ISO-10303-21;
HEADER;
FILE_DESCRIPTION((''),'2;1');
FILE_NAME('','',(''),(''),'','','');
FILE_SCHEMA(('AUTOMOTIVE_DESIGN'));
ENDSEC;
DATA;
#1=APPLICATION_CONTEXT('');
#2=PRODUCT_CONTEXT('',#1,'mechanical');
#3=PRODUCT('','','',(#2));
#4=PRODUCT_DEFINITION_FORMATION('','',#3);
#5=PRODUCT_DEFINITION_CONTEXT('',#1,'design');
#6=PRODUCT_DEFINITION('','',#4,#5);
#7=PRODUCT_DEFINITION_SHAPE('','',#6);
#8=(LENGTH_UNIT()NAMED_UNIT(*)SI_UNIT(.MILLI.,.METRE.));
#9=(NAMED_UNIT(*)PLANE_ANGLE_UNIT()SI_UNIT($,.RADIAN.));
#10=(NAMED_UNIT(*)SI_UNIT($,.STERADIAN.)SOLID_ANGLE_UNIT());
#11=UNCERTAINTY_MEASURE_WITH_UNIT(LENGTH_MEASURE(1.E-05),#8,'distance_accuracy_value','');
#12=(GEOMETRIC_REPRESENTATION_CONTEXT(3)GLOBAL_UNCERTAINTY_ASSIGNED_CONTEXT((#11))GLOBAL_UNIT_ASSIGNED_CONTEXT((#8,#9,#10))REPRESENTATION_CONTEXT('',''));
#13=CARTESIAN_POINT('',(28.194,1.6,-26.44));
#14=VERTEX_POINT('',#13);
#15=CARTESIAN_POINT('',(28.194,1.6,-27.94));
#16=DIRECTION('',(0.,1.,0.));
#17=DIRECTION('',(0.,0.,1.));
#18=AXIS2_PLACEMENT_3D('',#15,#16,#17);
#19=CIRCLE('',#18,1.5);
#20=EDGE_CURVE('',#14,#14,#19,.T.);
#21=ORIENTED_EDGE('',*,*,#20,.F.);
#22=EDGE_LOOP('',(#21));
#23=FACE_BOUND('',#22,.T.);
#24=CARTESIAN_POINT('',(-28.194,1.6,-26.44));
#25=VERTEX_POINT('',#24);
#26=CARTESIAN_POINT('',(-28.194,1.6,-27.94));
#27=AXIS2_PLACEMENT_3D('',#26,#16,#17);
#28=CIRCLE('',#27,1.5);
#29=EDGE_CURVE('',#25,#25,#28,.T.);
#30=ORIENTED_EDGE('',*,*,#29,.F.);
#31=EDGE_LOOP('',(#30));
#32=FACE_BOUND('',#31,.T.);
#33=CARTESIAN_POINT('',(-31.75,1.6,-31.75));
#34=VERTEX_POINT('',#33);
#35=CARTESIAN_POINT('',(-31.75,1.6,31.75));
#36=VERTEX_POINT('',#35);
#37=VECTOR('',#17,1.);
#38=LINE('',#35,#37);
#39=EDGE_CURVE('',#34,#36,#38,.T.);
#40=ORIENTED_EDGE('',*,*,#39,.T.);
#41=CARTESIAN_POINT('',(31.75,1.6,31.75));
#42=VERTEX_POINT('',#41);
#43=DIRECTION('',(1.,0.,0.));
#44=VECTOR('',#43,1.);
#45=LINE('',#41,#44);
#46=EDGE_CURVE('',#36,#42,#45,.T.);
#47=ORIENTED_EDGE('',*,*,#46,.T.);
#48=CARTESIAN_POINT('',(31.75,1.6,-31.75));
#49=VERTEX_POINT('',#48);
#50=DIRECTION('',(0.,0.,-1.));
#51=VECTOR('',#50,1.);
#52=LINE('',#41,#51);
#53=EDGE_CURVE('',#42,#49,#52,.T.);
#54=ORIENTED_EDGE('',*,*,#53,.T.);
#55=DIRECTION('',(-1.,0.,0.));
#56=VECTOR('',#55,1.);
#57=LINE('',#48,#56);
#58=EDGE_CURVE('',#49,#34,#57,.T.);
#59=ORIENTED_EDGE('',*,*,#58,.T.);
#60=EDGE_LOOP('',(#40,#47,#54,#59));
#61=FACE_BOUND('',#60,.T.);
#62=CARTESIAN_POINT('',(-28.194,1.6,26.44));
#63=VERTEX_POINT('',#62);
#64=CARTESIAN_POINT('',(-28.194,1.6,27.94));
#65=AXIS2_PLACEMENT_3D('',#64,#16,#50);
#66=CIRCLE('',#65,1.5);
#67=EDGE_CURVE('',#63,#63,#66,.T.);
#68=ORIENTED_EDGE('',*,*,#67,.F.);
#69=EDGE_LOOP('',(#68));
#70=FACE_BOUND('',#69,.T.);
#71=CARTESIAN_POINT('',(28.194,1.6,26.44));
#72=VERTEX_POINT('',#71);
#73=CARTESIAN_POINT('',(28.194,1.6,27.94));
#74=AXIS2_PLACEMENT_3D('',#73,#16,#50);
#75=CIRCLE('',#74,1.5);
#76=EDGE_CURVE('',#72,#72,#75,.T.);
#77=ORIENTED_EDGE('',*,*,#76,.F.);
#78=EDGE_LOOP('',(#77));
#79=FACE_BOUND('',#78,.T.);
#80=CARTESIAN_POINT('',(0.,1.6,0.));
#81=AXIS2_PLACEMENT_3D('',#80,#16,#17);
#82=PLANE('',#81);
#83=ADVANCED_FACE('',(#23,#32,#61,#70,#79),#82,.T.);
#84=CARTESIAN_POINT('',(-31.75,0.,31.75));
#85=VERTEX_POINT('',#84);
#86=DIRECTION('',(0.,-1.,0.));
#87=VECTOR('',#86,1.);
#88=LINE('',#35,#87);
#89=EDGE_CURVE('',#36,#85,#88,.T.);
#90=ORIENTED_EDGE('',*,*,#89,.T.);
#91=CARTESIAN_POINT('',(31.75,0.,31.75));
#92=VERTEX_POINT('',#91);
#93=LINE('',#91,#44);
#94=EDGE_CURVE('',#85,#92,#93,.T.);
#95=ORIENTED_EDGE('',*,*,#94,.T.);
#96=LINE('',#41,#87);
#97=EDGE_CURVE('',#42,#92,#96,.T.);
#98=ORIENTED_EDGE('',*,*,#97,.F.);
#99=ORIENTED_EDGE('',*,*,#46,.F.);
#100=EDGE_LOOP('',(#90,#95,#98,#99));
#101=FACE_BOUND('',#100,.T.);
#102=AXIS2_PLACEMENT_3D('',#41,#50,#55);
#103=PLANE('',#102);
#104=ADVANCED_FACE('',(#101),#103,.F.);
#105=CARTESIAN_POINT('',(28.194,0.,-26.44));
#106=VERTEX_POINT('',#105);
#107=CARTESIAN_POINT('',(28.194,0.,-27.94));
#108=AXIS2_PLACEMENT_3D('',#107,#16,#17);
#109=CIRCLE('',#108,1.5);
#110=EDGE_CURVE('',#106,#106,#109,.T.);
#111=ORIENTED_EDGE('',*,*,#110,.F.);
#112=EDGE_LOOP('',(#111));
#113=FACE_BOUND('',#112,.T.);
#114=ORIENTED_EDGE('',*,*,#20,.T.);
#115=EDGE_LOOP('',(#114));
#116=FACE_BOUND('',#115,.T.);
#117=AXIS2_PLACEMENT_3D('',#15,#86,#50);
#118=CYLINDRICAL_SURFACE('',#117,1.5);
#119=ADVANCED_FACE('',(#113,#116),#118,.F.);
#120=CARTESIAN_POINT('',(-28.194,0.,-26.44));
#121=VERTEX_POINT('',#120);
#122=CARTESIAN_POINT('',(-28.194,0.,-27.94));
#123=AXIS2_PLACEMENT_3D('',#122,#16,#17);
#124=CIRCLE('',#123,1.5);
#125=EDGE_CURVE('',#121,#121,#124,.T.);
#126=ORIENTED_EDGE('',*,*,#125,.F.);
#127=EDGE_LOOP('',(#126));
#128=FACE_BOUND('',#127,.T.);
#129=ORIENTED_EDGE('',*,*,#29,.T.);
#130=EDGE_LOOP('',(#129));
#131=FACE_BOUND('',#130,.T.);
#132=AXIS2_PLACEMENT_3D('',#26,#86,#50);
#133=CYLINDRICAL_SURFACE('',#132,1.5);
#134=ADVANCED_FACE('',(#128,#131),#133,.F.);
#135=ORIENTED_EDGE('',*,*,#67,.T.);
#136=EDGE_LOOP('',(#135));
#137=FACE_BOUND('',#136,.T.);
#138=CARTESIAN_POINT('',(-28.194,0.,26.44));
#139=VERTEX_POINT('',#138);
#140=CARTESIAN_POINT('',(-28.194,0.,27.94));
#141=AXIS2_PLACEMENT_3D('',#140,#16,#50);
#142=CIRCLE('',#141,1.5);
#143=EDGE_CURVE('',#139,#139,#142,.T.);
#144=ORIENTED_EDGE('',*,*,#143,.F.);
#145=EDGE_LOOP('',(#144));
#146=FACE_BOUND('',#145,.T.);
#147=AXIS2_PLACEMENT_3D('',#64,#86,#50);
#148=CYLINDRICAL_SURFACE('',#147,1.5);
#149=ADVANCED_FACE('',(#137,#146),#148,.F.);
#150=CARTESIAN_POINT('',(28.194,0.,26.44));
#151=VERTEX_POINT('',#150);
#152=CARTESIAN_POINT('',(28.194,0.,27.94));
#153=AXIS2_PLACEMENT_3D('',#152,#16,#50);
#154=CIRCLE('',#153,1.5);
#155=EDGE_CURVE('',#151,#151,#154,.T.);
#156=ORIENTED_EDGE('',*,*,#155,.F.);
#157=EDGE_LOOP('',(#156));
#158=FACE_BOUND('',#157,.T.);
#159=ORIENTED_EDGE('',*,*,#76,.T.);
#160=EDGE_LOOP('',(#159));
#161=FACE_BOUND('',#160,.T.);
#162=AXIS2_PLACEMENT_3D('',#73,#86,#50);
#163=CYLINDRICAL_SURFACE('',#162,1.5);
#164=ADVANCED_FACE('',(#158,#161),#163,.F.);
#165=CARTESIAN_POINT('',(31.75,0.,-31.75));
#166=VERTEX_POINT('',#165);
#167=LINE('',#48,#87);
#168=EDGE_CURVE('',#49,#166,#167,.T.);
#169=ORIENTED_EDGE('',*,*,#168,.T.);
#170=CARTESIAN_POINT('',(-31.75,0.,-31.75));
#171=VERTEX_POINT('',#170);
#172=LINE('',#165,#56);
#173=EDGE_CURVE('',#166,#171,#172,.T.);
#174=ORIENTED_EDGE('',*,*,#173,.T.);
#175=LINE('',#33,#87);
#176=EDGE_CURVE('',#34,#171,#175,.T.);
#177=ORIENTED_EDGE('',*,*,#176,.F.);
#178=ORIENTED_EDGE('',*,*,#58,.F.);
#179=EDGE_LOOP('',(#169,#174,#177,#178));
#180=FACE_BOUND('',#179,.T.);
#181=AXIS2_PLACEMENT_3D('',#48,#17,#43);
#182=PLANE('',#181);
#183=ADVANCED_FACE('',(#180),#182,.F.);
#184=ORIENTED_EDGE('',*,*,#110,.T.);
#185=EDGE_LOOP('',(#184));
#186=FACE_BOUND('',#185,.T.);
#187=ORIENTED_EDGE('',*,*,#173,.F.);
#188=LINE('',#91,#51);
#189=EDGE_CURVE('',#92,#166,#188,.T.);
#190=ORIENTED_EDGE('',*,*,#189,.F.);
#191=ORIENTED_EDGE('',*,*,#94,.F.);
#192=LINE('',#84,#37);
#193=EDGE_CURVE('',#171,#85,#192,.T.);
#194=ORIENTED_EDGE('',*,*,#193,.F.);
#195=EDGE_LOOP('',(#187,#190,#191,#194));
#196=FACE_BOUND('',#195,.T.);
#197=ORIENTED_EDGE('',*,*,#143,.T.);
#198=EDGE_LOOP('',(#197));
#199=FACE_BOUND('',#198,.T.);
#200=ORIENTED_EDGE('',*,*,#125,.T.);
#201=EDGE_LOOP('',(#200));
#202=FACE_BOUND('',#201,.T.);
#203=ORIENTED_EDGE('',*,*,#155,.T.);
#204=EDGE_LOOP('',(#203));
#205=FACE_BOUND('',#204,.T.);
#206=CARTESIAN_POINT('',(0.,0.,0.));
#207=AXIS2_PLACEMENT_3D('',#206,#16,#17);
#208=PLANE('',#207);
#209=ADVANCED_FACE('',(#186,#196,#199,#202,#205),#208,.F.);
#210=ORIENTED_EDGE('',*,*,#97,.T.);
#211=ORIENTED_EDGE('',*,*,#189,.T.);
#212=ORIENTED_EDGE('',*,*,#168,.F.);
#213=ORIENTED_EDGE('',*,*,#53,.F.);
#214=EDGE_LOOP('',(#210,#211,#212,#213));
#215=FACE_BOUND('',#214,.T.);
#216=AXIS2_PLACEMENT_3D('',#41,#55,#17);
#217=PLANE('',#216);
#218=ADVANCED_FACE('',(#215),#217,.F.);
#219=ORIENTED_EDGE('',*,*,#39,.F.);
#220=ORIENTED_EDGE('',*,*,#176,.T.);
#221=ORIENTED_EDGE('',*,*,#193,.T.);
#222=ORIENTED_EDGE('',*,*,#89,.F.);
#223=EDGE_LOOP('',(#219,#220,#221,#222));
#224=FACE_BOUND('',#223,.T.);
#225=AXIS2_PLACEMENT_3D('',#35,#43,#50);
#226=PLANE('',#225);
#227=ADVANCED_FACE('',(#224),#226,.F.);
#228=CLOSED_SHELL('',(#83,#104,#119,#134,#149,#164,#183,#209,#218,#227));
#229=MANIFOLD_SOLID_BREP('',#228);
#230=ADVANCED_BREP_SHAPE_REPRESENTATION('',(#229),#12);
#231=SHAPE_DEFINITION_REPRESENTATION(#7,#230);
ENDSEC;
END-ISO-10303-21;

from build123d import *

# Parameters (mm, degrees)
SKETCH1_W           = 63.5
SKETCH1_H           = 63.5
SKETCH1_R           = 1.5
BOSS_EXTRUDE1_DEPTH = 1.6


with BuildPart() as part:
    # Sketch1 → Boss-Extrude1 (new body)
    with BuildSketch(Plane(origin=(0, 0, 0), x_dir=(1, 0, 0), z_dir=(0, 1, 0))):
        Rectangle(SKETCH1_W, SKETCH1_H)
        with Locations((-28.194, 27.94)):
            Circle(SKETCH1_R, mode=Mode.SUBTRACT)
        with Locations((28.194, 27.94)):
            Circle(SKETCH1_R, mode=Mode.SUBTRACT)
        with Locations((28.194, -27.94)):
            Circle(SKETCH1_R, mode=Mode.SUBTRACT)
        with Locations((-28.194, -27.94)):
            Circle(SKETCH1_R, mode=Mode.SUBTRACT)
    extrude(amount=BOSS_EXTRUDE1_DEPTH)


solid = part.part
